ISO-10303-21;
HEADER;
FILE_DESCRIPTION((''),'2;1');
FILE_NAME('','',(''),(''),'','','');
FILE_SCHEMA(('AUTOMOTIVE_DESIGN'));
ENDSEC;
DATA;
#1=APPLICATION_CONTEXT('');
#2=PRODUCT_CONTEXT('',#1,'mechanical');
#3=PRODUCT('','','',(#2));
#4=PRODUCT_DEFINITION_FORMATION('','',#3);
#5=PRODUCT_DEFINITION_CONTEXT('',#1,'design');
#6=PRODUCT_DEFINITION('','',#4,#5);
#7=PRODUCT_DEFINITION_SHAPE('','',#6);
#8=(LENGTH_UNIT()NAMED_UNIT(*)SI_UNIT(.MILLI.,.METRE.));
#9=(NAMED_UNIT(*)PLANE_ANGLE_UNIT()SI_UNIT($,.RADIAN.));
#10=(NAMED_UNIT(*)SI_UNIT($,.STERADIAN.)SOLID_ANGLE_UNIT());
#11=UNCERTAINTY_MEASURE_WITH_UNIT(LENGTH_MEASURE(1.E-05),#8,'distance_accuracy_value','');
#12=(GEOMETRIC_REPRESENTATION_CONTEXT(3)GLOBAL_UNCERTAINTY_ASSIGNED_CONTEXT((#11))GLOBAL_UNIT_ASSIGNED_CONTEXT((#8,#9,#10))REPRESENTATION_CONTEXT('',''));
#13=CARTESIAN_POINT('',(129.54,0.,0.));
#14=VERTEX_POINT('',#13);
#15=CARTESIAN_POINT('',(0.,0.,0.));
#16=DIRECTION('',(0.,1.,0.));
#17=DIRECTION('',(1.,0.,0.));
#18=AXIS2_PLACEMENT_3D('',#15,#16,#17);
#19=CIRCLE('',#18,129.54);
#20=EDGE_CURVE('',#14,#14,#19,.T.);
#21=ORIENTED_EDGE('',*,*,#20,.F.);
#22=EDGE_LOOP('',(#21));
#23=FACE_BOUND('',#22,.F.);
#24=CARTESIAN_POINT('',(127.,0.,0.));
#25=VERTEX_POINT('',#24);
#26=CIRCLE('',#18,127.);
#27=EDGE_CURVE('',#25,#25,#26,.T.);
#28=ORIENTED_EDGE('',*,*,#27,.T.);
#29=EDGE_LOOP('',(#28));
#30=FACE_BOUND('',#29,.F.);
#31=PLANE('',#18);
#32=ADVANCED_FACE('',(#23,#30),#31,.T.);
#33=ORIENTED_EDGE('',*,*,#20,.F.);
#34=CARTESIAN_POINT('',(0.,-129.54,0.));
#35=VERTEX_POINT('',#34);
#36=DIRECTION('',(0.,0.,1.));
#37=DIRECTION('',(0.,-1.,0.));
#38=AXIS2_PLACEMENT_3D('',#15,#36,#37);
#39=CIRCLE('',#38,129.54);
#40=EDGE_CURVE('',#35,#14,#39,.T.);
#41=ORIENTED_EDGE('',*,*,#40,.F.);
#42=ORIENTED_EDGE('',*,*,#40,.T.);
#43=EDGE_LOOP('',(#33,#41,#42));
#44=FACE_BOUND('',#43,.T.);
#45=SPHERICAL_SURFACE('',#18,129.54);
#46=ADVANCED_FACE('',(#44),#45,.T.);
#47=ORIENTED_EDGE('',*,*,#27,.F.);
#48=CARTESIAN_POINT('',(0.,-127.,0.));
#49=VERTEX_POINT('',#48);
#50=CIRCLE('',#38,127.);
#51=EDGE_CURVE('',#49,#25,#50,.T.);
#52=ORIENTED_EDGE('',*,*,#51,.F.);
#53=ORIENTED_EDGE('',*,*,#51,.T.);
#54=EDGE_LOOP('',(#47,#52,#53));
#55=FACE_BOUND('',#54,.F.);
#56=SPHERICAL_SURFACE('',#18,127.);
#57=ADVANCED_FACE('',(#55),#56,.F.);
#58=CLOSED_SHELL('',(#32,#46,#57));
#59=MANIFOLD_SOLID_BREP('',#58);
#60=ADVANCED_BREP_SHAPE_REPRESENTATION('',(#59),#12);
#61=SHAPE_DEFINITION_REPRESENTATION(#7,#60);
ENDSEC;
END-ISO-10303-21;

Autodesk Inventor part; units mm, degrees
ref_plane "YZ Plane" through (0, 0, 0) normal (1, 0, 0) x (0, 1, 0)
ref_plane "XZ Plane" through (0, 0, 0) normal (0, 1, 0) x (-1, 0, 0)
ref_plane "XY Plane" through (0, 0, 0) normal (0, 0, 1) x (1, 0, 0)
sketch "Sketch2" plane through (0, 0, 0) normal (0, 0, 1) x (1, 0, 0)
  arc A0 (0, -129.54) -> (129.54, 0) centre (0, 0) ccw
  arc A1 (0, -127) -> (127, 0) centre (0, 0) ccw
  line L0 (127, 0) -> (129.54, 0)
  line L1 (0, -127) -> (0, -129.54)
  line L2 (0, -187.6423) -> (0, 31.2737) projected
  dimension "d1" = 259.08
  dimension "d2" = 254
revolve "Revolution1" add sketch "Sketch2" angle 360 about axis through (0, -10, 0) along (0, 1, 0)
properties part number "roundSaladBowl"
